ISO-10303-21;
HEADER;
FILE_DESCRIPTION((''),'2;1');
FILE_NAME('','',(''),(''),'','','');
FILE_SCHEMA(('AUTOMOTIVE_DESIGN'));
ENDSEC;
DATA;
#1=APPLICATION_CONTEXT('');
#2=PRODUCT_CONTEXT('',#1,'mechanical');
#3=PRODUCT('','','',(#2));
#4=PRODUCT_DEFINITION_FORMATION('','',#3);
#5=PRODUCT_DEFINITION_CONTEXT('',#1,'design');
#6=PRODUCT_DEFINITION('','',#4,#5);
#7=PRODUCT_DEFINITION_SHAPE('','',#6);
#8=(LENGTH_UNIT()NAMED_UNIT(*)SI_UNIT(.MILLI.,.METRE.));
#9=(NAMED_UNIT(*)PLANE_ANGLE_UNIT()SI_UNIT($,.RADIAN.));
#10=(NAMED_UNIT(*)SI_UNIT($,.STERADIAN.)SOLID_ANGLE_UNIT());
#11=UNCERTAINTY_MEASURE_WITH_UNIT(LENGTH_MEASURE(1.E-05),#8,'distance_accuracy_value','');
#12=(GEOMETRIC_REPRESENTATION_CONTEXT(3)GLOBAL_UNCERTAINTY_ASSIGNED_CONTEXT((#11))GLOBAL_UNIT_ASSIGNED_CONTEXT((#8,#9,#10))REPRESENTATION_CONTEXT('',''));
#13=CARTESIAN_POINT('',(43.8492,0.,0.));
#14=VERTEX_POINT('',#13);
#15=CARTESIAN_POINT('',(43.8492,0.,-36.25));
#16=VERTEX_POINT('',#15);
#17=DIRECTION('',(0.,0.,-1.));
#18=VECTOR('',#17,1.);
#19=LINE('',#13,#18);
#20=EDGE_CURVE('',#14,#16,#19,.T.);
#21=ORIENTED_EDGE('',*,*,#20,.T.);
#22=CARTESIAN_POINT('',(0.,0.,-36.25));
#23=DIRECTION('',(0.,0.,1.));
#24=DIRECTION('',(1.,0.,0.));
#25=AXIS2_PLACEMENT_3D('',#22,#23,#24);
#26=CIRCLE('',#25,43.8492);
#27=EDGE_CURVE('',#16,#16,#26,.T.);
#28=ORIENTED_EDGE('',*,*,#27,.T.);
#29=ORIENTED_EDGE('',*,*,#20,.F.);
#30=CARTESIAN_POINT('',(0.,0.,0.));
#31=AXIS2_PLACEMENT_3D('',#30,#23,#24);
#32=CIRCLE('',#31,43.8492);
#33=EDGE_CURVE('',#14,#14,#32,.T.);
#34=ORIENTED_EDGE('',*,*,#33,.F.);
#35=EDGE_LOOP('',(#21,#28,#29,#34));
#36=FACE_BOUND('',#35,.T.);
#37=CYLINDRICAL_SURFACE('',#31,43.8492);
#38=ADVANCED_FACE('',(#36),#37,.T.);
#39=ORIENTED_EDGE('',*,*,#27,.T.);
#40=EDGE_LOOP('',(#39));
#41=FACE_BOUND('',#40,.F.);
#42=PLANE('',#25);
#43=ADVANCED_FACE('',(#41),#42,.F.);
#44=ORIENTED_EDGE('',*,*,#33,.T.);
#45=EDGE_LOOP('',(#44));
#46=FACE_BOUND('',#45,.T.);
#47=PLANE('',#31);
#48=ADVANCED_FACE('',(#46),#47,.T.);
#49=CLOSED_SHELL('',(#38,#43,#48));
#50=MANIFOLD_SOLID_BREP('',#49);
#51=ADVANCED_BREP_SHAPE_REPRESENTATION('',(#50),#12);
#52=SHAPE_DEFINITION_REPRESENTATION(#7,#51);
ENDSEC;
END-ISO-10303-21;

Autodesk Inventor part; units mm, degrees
ref_plane "YZ Plane" through (0, 0, 0) normal (1, 0, 0) x (0, 1, 0)
ref_plane "XZ Plane" through (0, 0, 0) normal (0, 1, 0) x (-1, 0, 0)
ref_plane "XY Plane" through (0, 0, 0) normal (0, 0, 1) x (1, 0, 0)
sketch "Sketch1" plane through (0, 0, 0) normal (0, 0, 1) x (1, 0, 0)
  circle A0 centre (0, 0) radius 43.8492
  dimension "d0" = 36.25
extrude "Extrusion1" add sketch "Sketch1" against normal blind 36.25
properties part number "rotatingregion" material "Glass"
